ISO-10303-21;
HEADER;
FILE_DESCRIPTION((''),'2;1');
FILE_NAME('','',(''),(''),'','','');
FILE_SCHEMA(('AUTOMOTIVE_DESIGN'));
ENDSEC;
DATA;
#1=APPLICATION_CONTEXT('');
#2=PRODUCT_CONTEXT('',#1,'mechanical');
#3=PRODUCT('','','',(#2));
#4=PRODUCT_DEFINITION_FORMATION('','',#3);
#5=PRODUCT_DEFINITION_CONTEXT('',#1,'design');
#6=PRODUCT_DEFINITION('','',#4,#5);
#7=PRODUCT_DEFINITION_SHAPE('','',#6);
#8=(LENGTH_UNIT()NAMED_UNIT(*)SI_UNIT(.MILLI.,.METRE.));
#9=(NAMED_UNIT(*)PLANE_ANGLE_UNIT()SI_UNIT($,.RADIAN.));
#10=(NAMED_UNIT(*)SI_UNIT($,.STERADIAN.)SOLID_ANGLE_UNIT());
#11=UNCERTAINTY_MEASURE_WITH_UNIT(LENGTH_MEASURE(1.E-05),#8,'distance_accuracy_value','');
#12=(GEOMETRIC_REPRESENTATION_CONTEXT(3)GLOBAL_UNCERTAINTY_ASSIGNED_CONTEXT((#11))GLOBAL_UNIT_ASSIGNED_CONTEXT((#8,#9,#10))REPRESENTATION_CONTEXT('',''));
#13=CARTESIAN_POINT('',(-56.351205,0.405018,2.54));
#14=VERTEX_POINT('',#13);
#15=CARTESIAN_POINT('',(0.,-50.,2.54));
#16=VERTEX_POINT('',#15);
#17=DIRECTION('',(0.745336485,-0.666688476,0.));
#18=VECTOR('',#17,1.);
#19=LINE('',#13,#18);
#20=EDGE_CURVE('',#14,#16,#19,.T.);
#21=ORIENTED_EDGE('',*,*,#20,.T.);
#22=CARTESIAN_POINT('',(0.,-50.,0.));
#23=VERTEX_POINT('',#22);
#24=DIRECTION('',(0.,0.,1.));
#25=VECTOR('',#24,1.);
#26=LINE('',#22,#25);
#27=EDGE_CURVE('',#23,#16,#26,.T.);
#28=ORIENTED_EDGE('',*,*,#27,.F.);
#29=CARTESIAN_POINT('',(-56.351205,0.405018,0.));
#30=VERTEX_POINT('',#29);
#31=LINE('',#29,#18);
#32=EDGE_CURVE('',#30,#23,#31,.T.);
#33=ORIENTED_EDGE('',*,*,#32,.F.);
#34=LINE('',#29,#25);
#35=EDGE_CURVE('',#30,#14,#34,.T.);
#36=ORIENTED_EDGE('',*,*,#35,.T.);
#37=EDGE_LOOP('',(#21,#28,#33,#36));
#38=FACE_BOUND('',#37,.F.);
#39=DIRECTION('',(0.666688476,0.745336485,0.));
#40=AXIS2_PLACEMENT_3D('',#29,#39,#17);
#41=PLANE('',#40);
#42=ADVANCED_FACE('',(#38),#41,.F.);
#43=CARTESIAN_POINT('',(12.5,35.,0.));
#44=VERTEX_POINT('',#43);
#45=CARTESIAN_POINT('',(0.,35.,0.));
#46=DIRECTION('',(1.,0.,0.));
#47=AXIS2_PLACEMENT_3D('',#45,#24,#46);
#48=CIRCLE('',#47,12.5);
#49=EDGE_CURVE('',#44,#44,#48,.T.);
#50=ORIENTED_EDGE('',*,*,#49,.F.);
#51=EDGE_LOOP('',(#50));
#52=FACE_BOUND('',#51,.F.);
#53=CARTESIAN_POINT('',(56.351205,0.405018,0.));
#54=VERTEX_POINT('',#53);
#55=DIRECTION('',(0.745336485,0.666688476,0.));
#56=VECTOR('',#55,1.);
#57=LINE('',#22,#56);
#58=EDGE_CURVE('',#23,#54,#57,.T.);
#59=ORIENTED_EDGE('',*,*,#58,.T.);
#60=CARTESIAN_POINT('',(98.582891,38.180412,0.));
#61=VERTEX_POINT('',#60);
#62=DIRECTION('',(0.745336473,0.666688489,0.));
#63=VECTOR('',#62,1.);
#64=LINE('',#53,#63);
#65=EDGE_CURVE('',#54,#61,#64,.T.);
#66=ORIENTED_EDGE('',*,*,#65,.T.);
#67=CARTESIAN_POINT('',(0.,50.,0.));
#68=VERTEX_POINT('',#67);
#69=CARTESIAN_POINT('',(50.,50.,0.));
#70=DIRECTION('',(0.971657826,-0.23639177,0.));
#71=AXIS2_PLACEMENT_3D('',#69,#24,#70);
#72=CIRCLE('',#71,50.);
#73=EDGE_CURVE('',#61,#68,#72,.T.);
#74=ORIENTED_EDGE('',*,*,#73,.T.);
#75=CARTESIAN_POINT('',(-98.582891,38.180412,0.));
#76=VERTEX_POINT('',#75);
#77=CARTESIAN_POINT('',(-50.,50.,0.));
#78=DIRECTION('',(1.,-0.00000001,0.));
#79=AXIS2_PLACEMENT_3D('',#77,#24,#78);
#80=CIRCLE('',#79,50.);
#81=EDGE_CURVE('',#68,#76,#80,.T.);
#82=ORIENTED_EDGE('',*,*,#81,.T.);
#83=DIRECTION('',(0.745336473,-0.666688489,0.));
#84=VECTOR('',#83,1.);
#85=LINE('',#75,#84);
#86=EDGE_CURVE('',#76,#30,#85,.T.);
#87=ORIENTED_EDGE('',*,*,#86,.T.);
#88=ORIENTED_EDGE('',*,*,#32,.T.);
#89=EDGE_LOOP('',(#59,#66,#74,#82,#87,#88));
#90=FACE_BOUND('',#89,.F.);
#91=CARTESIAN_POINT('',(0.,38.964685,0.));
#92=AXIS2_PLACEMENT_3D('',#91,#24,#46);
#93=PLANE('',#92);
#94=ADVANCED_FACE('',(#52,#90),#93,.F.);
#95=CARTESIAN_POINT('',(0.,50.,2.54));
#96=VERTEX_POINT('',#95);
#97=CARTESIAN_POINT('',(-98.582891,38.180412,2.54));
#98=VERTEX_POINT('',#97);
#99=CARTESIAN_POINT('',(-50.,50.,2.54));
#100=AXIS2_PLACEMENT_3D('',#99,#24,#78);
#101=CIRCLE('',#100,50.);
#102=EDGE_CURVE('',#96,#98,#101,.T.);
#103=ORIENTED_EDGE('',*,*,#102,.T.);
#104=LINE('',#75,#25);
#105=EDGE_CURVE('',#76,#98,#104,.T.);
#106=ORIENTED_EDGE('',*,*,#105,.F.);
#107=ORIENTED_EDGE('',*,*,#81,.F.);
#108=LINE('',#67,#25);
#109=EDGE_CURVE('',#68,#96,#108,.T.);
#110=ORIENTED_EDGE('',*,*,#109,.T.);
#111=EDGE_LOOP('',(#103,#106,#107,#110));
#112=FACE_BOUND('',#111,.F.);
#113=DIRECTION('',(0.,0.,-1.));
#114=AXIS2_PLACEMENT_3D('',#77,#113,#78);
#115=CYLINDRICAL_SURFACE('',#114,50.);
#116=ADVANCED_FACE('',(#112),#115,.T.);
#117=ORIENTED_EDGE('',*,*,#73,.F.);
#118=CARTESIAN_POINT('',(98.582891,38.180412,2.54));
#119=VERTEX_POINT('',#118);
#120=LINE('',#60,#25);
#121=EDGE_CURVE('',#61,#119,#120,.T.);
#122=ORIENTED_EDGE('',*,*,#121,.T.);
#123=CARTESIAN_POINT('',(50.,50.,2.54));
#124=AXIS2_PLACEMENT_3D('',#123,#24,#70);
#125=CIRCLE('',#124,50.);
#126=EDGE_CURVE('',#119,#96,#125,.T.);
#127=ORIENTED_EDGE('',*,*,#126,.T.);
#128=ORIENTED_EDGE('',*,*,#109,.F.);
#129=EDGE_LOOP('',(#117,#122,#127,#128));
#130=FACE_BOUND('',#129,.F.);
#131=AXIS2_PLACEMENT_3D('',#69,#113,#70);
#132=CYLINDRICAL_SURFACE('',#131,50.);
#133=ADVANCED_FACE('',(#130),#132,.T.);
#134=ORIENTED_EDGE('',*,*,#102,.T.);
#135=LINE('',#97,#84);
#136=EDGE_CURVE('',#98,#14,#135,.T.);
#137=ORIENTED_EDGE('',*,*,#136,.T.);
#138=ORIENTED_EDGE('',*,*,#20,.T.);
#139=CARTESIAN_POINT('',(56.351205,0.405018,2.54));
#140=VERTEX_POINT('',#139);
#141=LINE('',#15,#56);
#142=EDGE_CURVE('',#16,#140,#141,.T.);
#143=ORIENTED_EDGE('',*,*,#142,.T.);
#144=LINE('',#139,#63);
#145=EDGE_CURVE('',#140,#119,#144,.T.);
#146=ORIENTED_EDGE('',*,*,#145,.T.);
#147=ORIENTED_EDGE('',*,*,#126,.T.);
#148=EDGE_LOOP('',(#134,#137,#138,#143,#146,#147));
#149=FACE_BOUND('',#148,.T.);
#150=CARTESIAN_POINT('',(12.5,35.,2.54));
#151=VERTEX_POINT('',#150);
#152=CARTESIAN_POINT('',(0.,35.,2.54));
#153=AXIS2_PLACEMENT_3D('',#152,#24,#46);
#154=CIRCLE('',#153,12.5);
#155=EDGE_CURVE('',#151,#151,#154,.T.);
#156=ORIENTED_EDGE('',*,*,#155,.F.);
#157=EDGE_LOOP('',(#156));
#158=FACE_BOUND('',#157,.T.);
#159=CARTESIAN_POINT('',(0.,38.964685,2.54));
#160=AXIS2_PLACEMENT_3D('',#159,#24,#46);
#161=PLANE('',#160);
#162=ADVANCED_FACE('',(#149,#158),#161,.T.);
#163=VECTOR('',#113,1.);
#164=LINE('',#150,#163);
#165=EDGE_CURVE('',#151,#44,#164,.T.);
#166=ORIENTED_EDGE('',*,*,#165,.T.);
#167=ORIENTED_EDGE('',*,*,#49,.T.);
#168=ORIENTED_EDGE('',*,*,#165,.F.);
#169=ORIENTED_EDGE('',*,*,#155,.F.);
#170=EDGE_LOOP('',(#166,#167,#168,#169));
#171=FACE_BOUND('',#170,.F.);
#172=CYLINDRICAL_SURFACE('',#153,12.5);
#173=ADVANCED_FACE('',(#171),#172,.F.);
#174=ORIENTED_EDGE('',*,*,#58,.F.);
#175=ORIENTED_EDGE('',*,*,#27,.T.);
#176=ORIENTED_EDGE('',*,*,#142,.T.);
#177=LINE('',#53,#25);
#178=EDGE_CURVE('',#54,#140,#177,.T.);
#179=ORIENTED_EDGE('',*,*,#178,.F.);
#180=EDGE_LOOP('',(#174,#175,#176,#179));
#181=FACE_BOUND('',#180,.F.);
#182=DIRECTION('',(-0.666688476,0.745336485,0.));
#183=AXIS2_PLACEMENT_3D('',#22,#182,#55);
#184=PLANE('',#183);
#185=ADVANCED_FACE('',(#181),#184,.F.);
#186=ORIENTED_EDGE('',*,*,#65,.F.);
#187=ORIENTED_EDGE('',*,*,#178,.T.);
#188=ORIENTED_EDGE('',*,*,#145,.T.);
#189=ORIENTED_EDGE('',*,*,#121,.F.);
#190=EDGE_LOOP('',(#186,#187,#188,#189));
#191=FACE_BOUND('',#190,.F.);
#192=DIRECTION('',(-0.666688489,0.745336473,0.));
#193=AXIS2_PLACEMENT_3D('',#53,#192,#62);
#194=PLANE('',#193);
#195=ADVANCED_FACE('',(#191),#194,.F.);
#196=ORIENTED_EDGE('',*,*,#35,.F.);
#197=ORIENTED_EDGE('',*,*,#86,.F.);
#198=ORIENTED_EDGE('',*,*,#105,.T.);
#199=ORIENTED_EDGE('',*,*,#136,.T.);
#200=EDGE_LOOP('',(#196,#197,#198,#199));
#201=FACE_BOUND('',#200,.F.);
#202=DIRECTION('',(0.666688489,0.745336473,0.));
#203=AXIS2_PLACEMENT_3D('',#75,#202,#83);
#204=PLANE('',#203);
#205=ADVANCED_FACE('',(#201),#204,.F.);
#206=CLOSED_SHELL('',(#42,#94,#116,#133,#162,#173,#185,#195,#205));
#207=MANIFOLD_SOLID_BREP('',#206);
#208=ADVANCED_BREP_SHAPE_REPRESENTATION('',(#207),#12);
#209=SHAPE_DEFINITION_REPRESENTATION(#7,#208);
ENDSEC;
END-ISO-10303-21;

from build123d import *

# Parameters (mm, degrees)
F1_DEPTH = 2.54
F2_R     = 12.5
F3_DEPTH = 25.4


with BuildPart() as f1:
    # F0 (on Top) → F1 (new body)
    with BuildSketch(Plane.XY):
        with BuildLine():
            ThreePointArc((98.582891, 38.180412), (55.952119, 99.644459), (0, 50))
            ThreePointArc((0, 50), (-55.952119, 99.644459), (-98.582891, 38.180412))
            Line((-98.582891, 38.180412), (-56.351205, 0.405018))
            Line((-56.351205, 0.405018), (0, -50))
            Line((0, -50), (56.351205, 0.405018))
            Line((56.351205, 0.405018), (98.582891, 38.180412))
        make_face()
    extrude(amount=F1_DEPTH)

    # F2 (on face) → F3 (cut)
    with BuildSketch(Plane.XY.offset(2.54)):
        with Locations((0, 35)):
            Circle(F2_R)
    extrude(amount=-F3_DEPTH, mode=Mode.SUBTRACT)


solid = f1.part
